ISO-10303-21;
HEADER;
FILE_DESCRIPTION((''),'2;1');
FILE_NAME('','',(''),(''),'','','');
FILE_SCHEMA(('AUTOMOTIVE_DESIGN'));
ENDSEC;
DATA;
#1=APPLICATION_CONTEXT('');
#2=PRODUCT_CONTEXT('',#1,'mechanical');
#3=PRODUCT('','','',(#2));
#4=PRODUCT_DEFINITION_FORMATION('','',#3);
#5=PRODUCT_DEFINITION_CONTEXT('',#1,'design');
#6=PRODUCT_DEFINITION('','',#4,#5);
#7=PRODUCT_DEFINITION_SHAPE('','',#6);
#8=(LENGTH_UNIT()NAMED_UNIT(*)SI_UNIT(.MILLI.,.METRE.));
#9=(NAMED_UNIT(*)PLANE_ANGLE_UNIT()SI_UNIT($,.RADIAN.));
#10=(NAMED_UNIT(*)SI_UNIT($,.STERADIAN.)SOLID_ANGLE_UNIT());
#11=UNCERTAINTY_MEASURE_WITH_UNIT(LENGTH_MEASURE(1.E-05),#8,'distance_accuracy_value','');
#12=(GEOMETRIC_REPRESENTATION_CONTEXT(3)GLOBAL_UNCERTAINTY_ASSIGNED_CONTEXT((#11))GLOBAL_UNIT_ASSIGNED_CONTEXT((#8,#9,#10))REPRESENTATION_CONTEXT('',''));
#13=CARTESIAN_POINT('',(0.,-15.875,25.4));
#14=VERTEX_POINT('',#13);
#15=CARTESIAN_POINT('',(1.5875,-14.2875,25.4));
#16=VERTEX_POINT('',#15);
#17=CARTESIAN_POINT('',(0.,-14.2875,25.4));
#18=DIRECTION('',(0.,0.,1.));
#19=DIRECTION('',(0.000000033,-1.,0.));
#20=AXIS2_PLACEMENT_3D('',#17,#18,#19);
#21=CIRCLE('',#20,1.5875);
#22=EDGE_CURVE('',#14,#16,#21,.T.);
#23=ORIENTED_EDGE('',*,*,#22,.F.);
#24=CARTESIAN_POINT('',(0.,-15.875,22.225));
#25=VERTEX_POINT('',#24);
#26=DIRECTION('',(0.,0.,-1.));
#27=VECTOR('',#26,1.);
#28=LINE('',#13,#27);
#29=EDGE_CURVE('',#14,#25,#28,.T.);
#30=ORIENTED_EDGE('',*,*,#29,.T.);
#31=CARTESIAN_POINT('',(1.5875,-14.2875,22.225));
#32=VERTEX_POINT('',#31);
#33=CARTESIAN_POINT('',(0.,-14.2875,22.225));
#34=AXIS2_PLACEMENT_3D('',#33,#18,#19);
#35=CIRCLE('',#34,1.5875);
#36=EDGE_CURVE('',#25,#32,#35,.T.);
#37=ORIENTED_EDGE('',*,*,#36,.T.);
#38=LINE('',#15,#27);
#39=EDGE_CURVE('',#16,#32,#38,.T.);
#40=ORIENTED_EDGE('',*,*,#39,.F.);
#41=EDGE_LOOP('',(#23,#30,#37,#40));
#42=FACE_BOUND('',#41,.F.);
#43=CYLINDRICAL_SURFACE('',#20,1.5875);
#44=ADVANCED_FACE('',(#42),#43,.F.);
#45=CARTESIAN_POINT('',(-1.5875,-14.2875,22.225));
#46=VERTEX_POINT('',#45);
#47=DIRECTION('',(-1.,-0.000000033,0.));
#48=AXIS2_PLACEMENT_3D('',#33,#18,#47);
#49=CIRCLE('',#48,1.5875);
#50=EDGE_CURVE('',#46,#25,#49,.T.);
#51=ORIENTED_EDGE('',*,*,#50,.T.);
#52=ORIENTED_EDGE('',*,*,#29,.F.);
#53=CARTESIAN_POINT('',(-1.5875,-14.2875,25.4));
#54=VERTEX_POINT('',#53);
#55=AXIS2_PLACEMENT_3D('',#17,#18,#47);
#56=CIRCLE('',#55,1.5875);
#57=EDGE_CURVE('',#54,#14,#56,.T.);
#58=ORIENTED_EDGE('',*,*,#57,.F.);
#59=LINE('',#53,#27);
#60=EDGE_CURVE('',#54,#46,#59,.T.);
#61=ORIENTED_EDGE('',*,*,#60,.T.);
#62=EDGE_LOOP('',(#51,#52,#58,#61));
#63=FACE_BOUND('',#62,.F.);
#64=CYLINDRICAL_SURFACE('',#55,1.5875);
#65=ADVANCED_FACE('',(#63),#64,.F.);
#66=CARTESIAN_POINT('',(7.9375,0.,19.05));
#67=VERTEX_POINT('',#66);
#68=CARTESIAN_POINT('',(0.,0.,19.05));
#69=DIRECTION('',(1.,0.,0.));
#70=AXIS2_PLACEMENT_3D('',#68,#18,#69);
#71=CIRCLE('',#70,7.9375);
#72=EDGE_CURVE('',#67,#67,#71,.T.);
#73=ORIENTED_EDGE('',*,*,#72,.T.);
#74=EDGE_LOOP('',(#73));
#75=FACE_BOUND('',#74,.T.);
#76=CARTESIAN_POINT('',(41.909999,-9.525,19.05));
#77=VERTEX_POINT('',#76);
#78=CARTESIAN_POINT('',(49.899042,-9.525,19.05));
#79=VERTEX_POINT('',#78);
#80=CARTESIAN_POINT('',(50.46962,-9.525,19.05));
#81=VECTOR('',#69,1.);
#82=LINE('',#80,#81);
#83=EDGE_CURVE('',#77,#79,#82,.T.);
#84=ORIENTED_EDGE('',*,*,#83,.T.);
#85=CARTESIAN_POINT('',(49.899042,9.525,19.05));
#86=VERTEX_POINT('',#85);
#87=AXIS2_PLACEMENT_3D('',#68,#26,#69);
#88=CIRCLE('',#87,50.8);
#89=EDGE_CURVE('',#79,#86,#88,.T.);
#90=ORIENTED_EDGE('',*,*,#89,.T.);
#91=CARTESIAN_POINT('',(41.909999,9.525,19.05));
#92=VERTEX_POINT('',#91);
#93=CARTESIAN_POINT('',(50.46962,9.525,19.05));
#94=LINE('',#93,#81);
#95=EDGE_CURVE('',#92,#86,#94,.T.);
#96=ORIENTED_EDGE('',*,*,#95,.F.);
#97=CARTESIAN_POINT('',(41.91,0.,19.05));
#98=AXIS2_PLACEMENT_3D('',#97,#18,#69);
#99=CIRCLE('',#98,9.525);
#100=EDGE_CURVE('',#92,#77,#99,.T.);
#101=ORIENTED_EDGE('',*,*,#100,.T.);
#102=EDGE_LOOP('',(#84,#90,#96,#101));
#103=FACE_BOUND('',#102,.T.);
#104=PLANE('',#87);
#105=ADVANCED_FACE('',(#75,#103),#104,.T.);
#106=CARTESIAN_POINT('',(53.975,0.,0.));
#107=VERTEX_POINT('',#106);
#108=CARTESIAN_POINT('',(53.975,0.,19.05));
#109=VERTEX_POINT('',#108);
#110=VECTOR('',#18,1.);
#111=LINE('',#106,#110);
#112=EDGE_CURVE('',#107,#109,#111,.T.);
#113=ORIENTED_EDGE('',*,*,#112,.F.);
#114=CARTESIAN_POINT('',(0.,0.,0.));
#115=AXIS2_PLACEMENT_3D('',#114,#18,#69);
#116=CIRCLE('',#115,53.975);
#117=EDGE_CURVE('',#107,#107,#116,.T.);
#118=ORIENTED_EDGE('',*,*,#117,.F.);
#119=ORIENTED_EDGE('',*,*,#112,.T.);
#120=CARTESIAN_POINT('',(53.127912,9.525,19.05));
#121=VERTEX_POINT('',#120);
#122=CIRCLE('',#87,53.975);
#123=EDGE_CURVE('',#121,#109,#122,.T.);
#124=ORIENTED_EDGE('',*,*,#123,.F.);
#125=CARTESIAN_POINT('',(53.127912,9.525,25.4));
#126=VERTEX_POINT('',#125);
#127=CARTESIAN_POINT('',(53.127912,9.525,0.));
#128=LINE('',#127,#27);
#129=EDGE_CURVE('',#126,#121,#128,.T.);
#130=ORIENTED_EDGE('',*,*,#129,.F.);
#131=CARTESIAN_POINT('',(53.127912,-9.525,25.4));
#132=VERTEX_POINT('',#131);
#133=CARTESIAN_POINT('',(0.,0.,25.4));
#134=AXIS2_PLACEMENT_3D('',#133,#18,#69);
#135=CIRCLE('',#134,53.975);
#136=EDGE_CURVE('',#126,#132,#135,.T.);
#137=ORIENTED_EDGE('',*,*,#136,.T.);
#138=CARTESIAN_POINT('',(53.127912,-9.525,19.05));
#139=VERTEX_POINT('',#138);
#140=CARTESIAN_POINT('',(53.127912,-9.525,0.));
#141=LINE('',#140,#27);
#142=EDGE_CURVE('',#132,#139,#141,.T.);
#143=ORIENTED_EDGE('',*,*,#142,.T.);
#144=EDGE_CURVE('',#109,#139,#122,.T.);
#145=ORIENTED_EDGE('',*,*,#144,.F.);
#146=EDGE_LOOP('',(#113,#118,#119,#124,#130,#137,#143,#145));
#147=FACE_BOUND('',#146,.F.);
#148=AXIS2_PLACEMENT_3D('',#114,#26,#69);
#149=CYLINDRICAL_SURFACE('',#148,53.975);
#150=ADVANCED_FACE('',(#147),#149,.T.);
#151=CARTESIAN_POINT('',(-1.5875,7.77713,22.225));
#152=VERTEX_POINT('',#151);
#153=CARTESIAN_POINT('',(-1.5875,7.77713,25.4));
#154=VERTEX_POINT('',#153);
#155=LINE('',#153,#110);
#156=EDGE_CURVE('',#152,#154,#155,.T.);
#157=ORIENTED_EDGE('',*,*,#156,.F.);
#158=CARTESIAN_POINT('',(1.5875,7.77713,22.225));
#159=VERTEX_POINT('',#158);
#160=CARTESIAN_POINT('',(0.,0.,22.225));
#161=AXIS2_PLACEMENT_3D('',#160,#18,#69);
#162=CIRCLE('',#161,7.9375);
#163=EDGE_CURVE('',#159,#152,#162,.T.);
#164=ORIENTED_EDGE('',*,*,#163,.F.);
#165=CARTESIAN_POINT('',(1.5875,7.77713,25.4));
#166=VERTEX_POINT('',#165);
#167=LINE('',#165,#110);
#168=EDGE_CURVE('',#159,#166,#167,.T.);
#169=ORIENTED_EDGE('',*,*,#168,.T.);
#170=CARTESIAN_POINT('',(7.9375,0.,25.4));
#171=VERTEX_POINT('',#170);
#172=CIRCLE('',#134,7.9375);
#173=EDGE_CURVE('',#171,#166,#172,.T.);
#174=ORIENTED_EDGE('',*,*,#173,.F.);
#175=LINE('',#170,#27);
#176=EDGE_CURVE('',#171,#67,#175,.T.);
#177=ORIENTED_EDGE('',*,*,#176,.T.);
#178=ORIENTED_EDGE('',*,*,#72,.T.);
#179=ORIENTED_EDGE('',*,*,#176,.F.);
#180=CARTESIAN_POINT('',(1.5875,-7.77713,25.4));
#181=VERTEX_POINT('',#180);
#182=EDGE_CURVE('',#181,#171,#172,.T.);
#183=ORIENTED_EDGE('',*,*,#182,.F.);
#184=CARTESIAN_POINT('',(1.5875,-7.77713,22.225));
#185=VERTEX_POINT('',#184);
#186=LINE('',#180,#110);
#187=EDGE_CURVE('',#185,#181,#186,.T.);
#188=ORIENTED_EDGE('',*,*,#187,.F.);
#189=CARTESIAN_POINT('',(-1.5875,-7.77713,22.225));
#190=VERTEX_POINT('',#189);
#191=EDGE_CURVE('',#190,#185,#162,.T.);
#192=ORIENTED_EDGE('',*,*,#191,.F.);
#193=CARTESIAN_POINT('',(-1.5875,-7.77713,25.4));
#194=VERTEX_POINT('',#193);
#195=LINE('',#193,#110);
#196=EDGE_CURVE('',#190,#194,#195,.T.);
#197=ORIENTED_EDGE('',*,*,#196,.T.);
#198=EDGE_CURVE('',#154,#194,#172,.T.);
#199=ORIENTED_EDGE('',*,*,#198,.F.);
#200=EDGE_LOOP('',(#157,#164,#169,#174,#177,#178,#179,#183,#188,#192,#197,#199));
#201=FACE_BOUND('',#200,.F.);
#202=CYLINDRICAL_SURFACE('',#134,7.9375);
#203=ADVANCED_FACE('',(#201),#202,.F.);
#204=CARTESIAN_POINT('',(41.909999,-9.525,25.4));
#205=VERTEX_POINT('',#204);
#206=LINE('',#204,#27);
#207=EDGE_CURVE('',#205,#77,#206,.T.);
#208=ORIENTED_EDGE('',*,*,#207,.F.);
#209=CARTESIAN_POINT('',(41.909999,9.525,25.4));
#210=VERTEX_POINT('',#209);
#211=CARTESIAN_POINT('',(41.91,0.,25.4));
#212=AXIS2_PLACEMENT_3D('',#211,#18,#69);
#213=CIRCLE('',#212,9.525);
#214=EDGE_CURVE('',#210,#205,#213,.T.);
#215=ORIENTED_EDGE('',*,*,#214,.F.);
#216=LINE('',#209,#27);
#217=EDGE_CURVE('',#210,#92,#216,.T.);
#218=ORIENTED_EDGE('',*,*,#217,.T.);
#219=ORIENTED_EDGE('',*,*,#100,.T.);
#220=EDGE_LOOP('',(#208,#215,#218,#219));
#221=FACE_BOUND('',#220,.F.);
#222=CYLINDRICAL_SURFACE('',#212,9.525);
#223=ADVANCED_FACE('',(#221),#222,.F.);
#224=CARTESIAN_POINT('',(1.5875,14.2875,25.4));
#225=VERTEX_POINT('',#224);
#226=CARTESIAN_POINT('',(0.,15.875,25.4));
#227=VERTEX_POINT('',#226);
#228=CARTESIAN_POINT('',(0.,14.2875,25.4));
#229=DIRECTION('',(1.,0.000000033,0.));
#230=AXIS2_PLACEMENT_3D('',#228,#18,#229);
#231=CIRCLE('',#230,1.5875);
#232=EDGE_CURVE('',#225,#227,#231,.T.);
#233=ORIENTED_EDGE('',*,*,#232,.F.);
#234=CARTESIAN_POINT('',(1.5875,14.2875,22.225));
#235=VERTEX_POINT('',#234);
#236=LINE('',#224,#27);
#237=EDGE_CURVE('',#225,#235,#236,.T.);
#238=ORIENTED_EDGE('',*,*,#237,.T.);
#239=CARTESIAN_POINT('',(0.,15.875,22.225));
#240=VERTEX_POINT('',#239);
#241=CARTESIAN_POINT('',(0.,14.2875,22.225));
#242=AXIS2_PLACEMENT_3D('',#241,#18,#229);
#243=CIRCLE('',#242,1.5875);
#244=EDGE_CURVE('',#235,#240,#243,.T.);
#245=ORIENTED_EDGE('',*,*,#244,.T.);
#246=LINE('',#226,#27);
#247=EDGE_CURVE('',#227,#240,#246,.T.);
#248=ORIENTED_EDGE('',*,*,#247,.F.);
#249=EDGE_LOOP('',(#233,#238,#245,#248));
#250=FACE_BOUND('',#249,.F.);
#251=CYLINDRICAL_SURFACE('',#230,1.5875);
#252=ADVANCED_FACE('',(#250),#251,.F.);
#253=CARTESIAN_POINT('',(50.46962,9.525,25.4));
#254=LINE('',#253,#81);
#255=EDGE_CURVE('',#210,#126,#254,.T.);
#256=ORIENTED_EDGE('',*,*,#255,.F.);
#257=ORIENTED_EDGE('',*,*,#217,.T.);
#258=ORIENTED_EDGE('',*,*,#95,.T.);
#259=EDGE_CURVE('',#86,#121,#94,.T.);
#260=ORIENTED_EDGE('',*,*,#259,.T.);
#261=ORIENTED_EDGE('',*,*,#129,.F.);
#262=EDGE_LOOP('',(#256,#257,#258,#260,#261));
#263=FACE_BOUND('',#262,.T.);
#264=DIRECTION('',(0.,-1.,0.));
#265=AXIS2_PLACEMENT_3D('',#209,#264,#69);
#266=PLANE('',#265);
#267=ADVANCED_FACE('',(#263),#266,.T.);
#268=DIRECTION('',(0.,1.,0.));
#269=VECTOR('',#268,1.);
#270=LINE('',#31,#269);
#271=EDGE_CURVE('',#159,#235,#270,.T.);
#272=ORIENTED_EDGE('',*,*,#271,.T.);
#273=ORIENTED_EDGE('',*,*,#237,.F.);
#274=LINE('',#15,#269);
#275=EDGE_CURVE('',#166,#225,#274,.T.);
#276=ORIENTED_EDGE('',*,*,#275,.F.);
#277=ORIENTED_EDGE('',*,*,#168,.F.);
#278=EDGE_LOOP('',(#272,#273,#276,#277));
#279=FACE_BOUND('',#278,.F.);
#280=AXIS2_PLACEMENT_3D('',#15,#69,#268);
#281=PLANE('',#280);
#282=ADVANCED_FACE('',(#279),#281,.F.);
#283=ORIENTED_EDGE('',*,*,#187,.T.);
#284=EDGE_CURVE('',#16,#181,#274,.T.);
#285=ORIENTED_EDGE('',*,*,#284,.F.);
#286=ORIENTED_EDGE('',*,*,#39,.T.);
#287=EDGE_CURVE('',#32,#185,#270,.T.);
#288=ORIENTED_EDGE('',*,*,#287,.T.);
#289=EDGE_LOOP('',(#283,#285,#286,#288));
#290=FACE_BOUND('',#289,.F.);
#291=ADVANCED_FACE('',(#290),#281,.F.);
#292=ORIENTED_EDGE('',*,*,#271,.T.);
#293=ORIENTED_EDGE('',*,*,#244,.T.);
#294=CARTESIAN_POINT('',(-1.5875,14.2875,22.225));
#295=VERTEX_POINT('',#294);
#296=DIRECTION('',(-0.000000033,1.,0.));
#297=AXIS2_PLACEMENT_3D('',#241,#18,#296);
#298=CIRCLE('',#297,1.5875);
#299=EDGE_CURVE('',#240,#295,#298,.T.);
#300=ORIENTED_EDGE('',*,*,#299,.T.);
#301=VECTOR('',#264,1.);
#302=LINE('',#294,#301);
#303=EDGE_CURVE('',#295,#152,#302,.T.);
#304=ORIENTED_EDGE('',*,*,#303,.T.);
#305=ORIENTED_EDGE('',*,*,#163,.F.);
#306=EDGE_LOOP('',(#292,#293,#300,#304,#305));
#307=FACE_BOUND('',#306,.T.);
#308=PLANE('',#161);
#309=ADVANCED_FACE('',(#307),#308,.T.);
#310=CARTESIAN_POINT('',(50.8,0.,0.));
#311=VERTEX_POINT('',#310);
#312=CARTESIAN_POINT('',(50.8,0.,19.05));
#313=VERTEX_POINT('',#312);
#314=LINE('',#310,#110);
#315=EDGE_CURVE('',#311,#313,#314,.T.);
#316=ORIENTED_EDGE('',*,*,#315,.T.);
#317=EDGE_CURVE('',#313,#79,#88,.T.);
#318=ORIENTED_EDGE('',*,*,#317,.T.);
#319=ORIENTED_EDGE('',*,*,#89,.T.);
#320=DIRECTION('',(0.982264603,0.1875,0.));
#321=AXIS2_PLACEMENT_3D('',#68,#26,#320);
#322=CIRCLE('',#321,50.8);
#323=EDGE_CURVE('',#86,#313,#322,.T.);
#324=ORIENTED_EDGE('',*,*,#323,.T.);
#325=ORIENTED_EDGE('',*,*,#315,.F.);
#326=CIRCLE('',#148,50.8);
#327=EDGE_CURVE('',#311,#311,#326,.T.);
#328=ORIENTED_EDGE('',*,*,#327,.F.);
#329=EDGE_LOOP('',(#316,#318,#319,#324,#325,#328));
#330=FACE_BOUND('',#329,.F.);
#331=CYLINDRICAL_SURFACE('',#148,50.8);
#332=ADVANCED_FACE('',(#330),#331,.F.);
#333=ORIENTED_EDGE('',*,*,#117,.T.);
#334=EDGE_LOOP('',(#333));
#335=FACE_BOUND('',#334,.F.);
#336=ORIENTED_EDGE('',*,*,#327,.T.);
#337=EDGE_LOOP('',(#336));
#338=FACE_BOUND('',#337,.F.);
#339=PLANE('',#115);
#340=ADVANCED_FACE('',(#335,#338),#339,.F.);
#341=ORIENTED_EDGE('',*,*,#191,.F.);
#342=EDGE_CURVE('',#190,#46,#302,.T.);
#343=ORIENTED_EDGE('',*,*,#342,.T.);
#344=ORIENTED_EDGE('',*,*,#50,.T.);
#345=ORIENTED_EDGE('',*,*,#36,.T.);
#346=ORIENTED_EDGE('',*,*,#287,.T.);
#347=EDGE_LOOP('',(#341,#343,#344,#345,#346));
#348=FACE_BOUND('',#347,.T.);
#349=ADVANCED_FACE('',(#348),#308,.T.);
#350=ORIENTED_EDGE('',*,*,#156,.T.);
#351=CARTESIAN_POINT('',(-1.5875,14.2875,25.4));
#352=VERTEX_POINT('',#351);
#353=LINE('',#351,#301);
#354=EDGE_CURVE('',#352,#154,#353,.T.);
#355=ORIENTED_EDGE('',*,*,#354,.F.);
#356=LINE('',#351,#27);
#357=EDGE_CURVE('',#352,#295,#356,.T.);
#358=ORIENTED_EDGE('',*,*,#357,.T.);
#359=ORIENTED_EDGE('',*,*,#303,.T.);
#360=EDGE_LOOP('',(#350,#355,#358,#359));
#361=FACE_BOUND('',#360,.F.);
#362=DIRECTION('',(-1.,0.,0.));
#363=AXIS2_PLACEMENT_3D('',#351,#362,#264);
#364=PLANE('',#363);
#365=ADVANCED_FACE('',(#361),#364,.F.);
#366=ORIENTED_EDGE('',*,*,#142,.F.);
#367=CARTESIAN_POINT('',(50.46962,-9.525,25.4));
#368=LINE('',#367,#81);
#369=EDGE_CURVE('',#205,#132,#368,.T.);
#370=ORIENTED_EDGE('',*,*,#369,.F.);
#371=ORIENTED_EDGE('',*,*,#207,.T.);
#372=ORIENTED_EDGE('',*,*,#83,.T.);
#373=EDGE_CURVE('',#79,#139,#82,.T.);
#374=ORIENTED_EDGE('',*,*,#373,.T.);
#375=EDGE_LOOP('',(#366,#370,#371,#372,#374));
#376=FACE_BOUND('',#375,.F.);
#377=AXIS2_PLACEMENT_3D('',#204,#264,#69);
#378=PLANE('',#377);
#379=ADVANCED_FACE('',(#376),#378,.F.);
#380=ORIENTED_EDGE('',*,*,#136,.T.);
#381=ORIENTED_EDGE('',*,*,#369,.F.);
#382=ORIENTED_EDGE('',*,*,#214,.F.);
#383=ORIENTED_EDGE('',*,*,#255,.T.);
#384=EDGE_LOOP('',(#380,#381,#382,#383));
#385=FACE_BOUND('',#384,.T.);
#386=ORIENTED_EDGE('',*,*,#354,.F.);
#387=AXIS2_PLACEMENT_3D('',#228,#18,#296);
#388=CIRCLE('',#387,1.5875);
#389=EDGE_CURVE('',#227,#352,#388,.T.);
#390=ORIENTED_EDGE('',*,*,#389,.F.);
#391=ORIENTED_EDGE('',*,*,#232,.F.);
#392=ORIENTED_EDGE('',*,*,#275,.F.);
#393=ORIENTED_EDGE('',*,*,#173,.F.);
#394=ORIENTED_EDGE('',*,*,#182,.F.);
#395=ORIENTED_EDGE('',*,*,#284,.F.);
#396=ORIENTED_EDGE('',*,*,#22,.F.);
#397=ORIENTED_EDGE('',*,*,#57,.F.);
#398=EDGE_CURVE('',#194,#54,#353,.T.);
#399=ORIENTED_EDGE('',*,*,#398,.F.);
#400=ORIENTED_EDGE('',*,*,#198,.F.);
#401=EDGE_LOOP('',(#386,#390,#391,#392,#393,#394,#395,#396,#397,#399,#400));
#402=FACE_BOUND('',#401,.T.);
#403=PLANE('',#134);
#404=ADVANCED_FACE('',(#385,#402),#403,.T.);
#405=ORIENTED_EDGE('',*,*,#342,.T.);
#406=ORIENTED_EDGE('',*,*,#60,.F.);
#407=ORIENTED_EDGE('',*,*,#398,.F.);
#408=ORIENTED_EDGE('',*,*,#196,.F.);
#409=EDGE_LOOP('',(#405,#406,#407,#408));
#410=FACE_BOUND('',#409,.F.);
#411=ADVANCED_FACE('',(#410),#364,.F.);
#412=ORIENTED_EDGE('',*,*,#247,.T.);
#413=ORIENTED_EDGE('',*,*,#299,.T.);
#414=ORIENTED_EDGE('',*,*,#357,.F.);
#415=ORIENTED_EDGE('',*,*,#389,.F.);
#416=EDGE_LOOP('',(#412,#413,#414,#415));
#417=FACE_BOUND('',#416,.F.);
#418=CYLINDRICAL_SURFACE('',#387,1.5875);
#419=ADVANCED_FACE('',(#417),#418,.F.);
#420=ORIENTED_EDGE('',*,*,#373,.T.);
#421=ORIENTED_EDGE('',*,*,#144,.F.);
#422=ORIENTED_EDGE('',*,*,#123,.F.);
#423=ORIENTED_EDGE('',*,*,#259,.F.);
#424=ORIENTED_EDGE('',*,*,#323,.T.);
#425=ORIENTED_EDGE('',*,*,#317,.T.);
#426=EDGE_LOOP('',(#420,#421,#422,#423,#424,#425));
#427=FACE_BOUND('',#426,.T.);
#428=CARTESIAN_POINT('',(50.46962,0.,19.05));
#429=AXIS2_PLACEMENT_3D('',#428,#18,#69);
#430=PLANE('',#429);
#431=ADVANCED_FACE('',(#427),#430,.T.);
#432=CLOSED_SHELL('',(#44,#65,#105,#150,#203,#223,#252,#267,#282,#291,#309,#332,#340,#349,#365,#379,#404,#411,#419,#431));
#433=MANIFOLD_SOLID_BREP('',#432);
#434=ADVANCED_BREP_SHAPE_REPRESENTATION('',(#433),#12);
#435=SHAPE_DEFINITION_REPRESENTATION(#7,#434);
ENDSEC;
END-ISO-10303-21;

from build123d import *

# Parameters (mm, degrees)
F0_R      = 53.975
F1_DEPTH  = 25.4
F2_R      = 50.8
F3_DEPTH  = 19.05
F4_R      = 9.525
F5_DEPTH  = 6.35
F6_W      = 17.119241
F6_H      = 19.05
F7_DEPTH  = 6.35
F8_R      = 7.9375
F9_DEPTH  = 6.35
F11_DEPTH = 3.175


with BuildPart() as f1:
    # F0 (on Top) → F1 (new body)
    with BuildSketch(Plane.XY):
        Circle(F0_R)
    extrude(amount=F1_DEPTH)

    # F2 (on face) → F3 (cut)
    with BuildSketch(Plane(origin=(0, 0, 0), x_dir=(1, 0, 0), z_dir=(0, 0, -1))):
        Circle(F2_R)
    extrude(amount=-F3_DEPTH, mode=Mode.SUBTRACT)

    # F4 (on face) → F5 (cut, through all)
    with BuildSketch(Plane.XY.offset(25.4)):
        with Locations((41.91, 0)):
            Circle(F4_R)
    extrude(amount=-F5_DEPTH, mode=Mode.SUBTRACT)

    # F6 (on face) → F7 (cut, through all)
    with BuildSketch(Plane.XY.offset(25.4)):
        with Locations((50.46962, 0)):
            Rectangle(F6_W, F6_H)
    extrude(amount=-F7_DEPTH, mode=Mode.SUBTRACT)

    # F8 (on face) → F9 (cut, through all)
    with BuildSketch(Plane.XY.offset(25.4)):
        Circle(F8_R)
    extrude(amount=-F9_DEPTH, mode=Mode.SUBTRACT)

    # F10 (on face) → F11 (cut)
    with BuildSketch(Plane.XY.offset(25.4)):
        with BuildLine():
            ThreePointArc((0, -15.875), (1.122532, -15.410032), (1.5875, -14.2875))
            Line((1.5875, -14.2875), (1.5875, 14.2875))
            ThreePointArc((1.5875, 14.2875), (1.122532, 15.410032), (0, 15.875))
            ThreePointArc((0, 15.875), (-1.122532, 15.410032), (-1.5875, 14.2875))
            Line((-1.5875, 14.2875), (-1.5875, -14.2875))
            ThreePointArc((-1.5875, -14.2875), (-1.122532, -15.410032), (0, -15.875))
        make_face()
    extrude(amount=-F11_DEPTH, mode=Mode.SUBTRACT)


solid = f1.part
